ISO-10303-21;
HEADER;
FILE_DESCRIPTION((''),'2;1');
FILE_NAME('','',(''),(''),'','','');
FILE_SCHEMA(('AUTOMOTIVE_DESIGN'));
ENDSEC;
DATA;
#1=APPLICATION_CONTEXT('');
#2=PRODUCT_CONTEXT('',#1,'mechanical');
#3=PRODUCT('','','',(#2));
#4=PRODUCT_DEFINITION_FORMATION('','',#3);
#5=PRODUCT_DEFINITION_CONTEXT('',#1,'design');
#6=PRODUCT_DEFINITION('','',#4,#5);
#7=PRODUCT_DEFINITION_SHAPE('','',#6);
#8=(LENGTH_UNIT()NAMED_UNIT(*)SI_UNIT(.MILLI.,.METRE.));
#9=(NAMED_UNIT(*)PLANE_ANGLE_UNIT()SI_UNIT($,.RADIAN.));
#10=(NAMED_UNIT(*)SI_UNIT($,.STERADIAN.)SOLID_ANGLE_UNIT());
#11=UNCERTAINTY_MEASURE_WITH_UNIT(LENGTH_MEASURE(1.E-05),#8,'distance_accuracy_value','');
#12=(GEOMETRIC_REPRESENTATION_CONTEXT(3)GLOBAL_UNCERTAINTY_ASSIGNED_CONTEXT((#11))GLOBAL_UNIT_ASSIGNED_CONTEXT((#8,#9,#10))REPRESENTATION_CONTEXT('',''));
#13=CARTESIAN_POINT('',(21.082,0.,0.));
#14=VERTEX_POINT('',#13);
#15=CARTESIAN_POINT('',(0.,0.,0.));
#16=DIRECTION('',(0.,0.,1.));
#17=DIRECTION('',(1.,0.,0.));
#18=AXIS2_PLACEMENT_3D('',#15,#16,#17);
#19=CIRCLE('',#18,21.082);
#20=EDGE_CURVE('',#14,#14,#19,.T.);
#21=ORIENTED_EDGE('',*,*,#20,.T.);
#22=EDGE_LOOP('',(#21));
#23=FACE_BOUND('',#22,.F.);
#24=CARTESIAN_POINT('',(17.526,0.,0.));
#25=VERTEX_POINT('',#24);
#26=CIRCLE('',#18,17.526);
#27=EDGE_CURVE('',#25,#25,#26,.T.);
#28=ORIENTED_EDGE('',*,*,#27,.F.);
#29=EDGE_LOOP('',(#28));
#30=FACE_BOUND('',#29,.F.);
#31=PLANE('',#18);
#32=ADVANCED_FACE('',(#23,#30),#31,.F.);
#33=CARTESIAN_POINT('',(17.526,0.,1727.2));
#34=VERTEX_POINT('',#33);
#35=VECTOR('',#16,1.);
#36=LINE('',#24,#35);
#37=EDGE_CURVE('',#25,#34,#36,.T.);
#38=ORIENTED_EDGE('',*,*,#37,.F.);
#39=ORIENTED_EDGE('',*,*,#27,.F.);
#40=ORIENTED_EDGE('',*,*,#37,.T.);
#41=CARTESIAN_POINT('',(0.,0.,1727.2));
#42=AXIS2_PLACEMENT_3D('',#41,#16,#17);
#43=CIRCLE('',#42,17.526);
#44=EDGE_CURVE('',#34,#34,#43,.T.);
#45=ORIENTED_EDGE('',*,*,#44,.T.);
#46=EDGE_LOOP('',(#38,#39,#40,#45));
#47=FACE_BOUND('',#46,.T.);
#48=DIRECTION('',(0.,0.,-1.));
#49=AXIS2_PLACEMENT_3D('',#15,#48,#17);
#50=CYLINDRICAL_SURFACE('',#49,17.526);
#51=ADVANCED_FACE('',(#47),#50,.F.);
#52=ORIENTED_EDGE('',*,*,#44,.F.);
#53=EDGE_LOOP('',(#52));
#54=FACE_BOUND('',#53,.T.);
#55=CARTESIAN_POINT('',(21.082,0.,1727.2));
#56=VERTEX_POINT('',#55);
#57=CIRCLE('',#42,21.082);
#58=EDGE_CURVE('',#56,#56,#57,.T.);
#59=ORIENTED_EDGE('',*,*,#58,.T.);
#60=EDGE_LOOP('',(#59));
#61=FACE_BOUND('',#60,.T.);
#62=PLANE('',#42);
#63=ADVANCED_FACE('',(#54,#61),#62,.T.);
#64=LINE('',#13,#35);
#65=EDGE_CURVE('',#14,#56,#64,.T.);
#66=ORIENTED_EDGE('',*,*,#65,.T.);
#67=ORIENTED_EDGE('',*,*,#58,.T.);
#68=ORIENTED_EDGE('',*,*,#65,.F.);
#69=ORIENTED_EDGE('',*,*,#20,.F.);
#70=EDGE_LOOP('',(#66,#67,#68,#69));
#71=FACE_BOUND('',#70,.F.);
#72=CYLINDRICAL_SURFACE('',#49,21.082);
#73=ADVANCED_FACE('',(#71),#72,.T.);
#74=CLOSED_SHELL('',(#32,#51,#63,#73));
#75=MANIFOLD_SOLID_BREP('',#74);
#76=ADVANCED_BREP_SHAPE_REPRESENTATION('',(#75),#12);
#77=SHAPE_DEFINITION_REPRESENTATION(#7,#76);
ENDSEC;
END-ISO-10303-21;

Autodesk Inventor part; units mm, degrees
ref_plane "YZ Plane" through (0, 0, 0) normal (1, 0, 0) x (0, 1, 0)
ref_plane "Start plane" through (0, 0, 0) normal (0, 0, 1) x (1, 0, 0)
ref_plane "End plane" through (0, 0, 1727.2) normal (0, 0, 1) x (1, 0, 0)
sketch "Sketch" plane through (0, 0, 0) normal (0, 0, 1) x (1, 0, 0)
  circle A0 centre (0, 0) radius 17.526
  circle A1 centre (0, 0) radius 21.082
  dimension "d0" = 42.164
  dimension "d1" = 3.556
extrude "Body" add sketch "Sketch" along normal up to surface (1727.2 mm away) from surface at 0
sketch "Sketch3" plane through (0, 0, 0) normal (0, 0, 1) x (1, 0, 0)
  line L0 (0, 0) -> (10, 0)
ref_plane "Work Plane3" through (0, 0, 0) normal (0, -1, 0) x (1, 0, 0)
sketch "Sketch4" plane through (0, 0, 0) normal (0, -1, 0) x (1, 0, 0)
  line L0 (-2, 0) -> (12, 0)
  line L1 (-2, 1727.2) -> (12, 1727.2)
  dimension "d7" = 1727.2
equation "\"d0\" = G_H"
equation "\"d1\" = G_T"
equation "\"d2\" = G_L"
equation "\"G_H\" = 42.164"
equation "\"G_T\" = 3.556"
equation "\"G_L\" = d7"
equation "\"G_OFFSET_START\" = 0"
equation "\"G_OFFSET_END\" = 0"
equation "\"d5\" = G_OFFSET_END + B_L"
equation "\"B_L\" = 1727.2"
properties part number "ANSI - 1 1/4 x 0.140 - 68" material "Aluminum 6061"
